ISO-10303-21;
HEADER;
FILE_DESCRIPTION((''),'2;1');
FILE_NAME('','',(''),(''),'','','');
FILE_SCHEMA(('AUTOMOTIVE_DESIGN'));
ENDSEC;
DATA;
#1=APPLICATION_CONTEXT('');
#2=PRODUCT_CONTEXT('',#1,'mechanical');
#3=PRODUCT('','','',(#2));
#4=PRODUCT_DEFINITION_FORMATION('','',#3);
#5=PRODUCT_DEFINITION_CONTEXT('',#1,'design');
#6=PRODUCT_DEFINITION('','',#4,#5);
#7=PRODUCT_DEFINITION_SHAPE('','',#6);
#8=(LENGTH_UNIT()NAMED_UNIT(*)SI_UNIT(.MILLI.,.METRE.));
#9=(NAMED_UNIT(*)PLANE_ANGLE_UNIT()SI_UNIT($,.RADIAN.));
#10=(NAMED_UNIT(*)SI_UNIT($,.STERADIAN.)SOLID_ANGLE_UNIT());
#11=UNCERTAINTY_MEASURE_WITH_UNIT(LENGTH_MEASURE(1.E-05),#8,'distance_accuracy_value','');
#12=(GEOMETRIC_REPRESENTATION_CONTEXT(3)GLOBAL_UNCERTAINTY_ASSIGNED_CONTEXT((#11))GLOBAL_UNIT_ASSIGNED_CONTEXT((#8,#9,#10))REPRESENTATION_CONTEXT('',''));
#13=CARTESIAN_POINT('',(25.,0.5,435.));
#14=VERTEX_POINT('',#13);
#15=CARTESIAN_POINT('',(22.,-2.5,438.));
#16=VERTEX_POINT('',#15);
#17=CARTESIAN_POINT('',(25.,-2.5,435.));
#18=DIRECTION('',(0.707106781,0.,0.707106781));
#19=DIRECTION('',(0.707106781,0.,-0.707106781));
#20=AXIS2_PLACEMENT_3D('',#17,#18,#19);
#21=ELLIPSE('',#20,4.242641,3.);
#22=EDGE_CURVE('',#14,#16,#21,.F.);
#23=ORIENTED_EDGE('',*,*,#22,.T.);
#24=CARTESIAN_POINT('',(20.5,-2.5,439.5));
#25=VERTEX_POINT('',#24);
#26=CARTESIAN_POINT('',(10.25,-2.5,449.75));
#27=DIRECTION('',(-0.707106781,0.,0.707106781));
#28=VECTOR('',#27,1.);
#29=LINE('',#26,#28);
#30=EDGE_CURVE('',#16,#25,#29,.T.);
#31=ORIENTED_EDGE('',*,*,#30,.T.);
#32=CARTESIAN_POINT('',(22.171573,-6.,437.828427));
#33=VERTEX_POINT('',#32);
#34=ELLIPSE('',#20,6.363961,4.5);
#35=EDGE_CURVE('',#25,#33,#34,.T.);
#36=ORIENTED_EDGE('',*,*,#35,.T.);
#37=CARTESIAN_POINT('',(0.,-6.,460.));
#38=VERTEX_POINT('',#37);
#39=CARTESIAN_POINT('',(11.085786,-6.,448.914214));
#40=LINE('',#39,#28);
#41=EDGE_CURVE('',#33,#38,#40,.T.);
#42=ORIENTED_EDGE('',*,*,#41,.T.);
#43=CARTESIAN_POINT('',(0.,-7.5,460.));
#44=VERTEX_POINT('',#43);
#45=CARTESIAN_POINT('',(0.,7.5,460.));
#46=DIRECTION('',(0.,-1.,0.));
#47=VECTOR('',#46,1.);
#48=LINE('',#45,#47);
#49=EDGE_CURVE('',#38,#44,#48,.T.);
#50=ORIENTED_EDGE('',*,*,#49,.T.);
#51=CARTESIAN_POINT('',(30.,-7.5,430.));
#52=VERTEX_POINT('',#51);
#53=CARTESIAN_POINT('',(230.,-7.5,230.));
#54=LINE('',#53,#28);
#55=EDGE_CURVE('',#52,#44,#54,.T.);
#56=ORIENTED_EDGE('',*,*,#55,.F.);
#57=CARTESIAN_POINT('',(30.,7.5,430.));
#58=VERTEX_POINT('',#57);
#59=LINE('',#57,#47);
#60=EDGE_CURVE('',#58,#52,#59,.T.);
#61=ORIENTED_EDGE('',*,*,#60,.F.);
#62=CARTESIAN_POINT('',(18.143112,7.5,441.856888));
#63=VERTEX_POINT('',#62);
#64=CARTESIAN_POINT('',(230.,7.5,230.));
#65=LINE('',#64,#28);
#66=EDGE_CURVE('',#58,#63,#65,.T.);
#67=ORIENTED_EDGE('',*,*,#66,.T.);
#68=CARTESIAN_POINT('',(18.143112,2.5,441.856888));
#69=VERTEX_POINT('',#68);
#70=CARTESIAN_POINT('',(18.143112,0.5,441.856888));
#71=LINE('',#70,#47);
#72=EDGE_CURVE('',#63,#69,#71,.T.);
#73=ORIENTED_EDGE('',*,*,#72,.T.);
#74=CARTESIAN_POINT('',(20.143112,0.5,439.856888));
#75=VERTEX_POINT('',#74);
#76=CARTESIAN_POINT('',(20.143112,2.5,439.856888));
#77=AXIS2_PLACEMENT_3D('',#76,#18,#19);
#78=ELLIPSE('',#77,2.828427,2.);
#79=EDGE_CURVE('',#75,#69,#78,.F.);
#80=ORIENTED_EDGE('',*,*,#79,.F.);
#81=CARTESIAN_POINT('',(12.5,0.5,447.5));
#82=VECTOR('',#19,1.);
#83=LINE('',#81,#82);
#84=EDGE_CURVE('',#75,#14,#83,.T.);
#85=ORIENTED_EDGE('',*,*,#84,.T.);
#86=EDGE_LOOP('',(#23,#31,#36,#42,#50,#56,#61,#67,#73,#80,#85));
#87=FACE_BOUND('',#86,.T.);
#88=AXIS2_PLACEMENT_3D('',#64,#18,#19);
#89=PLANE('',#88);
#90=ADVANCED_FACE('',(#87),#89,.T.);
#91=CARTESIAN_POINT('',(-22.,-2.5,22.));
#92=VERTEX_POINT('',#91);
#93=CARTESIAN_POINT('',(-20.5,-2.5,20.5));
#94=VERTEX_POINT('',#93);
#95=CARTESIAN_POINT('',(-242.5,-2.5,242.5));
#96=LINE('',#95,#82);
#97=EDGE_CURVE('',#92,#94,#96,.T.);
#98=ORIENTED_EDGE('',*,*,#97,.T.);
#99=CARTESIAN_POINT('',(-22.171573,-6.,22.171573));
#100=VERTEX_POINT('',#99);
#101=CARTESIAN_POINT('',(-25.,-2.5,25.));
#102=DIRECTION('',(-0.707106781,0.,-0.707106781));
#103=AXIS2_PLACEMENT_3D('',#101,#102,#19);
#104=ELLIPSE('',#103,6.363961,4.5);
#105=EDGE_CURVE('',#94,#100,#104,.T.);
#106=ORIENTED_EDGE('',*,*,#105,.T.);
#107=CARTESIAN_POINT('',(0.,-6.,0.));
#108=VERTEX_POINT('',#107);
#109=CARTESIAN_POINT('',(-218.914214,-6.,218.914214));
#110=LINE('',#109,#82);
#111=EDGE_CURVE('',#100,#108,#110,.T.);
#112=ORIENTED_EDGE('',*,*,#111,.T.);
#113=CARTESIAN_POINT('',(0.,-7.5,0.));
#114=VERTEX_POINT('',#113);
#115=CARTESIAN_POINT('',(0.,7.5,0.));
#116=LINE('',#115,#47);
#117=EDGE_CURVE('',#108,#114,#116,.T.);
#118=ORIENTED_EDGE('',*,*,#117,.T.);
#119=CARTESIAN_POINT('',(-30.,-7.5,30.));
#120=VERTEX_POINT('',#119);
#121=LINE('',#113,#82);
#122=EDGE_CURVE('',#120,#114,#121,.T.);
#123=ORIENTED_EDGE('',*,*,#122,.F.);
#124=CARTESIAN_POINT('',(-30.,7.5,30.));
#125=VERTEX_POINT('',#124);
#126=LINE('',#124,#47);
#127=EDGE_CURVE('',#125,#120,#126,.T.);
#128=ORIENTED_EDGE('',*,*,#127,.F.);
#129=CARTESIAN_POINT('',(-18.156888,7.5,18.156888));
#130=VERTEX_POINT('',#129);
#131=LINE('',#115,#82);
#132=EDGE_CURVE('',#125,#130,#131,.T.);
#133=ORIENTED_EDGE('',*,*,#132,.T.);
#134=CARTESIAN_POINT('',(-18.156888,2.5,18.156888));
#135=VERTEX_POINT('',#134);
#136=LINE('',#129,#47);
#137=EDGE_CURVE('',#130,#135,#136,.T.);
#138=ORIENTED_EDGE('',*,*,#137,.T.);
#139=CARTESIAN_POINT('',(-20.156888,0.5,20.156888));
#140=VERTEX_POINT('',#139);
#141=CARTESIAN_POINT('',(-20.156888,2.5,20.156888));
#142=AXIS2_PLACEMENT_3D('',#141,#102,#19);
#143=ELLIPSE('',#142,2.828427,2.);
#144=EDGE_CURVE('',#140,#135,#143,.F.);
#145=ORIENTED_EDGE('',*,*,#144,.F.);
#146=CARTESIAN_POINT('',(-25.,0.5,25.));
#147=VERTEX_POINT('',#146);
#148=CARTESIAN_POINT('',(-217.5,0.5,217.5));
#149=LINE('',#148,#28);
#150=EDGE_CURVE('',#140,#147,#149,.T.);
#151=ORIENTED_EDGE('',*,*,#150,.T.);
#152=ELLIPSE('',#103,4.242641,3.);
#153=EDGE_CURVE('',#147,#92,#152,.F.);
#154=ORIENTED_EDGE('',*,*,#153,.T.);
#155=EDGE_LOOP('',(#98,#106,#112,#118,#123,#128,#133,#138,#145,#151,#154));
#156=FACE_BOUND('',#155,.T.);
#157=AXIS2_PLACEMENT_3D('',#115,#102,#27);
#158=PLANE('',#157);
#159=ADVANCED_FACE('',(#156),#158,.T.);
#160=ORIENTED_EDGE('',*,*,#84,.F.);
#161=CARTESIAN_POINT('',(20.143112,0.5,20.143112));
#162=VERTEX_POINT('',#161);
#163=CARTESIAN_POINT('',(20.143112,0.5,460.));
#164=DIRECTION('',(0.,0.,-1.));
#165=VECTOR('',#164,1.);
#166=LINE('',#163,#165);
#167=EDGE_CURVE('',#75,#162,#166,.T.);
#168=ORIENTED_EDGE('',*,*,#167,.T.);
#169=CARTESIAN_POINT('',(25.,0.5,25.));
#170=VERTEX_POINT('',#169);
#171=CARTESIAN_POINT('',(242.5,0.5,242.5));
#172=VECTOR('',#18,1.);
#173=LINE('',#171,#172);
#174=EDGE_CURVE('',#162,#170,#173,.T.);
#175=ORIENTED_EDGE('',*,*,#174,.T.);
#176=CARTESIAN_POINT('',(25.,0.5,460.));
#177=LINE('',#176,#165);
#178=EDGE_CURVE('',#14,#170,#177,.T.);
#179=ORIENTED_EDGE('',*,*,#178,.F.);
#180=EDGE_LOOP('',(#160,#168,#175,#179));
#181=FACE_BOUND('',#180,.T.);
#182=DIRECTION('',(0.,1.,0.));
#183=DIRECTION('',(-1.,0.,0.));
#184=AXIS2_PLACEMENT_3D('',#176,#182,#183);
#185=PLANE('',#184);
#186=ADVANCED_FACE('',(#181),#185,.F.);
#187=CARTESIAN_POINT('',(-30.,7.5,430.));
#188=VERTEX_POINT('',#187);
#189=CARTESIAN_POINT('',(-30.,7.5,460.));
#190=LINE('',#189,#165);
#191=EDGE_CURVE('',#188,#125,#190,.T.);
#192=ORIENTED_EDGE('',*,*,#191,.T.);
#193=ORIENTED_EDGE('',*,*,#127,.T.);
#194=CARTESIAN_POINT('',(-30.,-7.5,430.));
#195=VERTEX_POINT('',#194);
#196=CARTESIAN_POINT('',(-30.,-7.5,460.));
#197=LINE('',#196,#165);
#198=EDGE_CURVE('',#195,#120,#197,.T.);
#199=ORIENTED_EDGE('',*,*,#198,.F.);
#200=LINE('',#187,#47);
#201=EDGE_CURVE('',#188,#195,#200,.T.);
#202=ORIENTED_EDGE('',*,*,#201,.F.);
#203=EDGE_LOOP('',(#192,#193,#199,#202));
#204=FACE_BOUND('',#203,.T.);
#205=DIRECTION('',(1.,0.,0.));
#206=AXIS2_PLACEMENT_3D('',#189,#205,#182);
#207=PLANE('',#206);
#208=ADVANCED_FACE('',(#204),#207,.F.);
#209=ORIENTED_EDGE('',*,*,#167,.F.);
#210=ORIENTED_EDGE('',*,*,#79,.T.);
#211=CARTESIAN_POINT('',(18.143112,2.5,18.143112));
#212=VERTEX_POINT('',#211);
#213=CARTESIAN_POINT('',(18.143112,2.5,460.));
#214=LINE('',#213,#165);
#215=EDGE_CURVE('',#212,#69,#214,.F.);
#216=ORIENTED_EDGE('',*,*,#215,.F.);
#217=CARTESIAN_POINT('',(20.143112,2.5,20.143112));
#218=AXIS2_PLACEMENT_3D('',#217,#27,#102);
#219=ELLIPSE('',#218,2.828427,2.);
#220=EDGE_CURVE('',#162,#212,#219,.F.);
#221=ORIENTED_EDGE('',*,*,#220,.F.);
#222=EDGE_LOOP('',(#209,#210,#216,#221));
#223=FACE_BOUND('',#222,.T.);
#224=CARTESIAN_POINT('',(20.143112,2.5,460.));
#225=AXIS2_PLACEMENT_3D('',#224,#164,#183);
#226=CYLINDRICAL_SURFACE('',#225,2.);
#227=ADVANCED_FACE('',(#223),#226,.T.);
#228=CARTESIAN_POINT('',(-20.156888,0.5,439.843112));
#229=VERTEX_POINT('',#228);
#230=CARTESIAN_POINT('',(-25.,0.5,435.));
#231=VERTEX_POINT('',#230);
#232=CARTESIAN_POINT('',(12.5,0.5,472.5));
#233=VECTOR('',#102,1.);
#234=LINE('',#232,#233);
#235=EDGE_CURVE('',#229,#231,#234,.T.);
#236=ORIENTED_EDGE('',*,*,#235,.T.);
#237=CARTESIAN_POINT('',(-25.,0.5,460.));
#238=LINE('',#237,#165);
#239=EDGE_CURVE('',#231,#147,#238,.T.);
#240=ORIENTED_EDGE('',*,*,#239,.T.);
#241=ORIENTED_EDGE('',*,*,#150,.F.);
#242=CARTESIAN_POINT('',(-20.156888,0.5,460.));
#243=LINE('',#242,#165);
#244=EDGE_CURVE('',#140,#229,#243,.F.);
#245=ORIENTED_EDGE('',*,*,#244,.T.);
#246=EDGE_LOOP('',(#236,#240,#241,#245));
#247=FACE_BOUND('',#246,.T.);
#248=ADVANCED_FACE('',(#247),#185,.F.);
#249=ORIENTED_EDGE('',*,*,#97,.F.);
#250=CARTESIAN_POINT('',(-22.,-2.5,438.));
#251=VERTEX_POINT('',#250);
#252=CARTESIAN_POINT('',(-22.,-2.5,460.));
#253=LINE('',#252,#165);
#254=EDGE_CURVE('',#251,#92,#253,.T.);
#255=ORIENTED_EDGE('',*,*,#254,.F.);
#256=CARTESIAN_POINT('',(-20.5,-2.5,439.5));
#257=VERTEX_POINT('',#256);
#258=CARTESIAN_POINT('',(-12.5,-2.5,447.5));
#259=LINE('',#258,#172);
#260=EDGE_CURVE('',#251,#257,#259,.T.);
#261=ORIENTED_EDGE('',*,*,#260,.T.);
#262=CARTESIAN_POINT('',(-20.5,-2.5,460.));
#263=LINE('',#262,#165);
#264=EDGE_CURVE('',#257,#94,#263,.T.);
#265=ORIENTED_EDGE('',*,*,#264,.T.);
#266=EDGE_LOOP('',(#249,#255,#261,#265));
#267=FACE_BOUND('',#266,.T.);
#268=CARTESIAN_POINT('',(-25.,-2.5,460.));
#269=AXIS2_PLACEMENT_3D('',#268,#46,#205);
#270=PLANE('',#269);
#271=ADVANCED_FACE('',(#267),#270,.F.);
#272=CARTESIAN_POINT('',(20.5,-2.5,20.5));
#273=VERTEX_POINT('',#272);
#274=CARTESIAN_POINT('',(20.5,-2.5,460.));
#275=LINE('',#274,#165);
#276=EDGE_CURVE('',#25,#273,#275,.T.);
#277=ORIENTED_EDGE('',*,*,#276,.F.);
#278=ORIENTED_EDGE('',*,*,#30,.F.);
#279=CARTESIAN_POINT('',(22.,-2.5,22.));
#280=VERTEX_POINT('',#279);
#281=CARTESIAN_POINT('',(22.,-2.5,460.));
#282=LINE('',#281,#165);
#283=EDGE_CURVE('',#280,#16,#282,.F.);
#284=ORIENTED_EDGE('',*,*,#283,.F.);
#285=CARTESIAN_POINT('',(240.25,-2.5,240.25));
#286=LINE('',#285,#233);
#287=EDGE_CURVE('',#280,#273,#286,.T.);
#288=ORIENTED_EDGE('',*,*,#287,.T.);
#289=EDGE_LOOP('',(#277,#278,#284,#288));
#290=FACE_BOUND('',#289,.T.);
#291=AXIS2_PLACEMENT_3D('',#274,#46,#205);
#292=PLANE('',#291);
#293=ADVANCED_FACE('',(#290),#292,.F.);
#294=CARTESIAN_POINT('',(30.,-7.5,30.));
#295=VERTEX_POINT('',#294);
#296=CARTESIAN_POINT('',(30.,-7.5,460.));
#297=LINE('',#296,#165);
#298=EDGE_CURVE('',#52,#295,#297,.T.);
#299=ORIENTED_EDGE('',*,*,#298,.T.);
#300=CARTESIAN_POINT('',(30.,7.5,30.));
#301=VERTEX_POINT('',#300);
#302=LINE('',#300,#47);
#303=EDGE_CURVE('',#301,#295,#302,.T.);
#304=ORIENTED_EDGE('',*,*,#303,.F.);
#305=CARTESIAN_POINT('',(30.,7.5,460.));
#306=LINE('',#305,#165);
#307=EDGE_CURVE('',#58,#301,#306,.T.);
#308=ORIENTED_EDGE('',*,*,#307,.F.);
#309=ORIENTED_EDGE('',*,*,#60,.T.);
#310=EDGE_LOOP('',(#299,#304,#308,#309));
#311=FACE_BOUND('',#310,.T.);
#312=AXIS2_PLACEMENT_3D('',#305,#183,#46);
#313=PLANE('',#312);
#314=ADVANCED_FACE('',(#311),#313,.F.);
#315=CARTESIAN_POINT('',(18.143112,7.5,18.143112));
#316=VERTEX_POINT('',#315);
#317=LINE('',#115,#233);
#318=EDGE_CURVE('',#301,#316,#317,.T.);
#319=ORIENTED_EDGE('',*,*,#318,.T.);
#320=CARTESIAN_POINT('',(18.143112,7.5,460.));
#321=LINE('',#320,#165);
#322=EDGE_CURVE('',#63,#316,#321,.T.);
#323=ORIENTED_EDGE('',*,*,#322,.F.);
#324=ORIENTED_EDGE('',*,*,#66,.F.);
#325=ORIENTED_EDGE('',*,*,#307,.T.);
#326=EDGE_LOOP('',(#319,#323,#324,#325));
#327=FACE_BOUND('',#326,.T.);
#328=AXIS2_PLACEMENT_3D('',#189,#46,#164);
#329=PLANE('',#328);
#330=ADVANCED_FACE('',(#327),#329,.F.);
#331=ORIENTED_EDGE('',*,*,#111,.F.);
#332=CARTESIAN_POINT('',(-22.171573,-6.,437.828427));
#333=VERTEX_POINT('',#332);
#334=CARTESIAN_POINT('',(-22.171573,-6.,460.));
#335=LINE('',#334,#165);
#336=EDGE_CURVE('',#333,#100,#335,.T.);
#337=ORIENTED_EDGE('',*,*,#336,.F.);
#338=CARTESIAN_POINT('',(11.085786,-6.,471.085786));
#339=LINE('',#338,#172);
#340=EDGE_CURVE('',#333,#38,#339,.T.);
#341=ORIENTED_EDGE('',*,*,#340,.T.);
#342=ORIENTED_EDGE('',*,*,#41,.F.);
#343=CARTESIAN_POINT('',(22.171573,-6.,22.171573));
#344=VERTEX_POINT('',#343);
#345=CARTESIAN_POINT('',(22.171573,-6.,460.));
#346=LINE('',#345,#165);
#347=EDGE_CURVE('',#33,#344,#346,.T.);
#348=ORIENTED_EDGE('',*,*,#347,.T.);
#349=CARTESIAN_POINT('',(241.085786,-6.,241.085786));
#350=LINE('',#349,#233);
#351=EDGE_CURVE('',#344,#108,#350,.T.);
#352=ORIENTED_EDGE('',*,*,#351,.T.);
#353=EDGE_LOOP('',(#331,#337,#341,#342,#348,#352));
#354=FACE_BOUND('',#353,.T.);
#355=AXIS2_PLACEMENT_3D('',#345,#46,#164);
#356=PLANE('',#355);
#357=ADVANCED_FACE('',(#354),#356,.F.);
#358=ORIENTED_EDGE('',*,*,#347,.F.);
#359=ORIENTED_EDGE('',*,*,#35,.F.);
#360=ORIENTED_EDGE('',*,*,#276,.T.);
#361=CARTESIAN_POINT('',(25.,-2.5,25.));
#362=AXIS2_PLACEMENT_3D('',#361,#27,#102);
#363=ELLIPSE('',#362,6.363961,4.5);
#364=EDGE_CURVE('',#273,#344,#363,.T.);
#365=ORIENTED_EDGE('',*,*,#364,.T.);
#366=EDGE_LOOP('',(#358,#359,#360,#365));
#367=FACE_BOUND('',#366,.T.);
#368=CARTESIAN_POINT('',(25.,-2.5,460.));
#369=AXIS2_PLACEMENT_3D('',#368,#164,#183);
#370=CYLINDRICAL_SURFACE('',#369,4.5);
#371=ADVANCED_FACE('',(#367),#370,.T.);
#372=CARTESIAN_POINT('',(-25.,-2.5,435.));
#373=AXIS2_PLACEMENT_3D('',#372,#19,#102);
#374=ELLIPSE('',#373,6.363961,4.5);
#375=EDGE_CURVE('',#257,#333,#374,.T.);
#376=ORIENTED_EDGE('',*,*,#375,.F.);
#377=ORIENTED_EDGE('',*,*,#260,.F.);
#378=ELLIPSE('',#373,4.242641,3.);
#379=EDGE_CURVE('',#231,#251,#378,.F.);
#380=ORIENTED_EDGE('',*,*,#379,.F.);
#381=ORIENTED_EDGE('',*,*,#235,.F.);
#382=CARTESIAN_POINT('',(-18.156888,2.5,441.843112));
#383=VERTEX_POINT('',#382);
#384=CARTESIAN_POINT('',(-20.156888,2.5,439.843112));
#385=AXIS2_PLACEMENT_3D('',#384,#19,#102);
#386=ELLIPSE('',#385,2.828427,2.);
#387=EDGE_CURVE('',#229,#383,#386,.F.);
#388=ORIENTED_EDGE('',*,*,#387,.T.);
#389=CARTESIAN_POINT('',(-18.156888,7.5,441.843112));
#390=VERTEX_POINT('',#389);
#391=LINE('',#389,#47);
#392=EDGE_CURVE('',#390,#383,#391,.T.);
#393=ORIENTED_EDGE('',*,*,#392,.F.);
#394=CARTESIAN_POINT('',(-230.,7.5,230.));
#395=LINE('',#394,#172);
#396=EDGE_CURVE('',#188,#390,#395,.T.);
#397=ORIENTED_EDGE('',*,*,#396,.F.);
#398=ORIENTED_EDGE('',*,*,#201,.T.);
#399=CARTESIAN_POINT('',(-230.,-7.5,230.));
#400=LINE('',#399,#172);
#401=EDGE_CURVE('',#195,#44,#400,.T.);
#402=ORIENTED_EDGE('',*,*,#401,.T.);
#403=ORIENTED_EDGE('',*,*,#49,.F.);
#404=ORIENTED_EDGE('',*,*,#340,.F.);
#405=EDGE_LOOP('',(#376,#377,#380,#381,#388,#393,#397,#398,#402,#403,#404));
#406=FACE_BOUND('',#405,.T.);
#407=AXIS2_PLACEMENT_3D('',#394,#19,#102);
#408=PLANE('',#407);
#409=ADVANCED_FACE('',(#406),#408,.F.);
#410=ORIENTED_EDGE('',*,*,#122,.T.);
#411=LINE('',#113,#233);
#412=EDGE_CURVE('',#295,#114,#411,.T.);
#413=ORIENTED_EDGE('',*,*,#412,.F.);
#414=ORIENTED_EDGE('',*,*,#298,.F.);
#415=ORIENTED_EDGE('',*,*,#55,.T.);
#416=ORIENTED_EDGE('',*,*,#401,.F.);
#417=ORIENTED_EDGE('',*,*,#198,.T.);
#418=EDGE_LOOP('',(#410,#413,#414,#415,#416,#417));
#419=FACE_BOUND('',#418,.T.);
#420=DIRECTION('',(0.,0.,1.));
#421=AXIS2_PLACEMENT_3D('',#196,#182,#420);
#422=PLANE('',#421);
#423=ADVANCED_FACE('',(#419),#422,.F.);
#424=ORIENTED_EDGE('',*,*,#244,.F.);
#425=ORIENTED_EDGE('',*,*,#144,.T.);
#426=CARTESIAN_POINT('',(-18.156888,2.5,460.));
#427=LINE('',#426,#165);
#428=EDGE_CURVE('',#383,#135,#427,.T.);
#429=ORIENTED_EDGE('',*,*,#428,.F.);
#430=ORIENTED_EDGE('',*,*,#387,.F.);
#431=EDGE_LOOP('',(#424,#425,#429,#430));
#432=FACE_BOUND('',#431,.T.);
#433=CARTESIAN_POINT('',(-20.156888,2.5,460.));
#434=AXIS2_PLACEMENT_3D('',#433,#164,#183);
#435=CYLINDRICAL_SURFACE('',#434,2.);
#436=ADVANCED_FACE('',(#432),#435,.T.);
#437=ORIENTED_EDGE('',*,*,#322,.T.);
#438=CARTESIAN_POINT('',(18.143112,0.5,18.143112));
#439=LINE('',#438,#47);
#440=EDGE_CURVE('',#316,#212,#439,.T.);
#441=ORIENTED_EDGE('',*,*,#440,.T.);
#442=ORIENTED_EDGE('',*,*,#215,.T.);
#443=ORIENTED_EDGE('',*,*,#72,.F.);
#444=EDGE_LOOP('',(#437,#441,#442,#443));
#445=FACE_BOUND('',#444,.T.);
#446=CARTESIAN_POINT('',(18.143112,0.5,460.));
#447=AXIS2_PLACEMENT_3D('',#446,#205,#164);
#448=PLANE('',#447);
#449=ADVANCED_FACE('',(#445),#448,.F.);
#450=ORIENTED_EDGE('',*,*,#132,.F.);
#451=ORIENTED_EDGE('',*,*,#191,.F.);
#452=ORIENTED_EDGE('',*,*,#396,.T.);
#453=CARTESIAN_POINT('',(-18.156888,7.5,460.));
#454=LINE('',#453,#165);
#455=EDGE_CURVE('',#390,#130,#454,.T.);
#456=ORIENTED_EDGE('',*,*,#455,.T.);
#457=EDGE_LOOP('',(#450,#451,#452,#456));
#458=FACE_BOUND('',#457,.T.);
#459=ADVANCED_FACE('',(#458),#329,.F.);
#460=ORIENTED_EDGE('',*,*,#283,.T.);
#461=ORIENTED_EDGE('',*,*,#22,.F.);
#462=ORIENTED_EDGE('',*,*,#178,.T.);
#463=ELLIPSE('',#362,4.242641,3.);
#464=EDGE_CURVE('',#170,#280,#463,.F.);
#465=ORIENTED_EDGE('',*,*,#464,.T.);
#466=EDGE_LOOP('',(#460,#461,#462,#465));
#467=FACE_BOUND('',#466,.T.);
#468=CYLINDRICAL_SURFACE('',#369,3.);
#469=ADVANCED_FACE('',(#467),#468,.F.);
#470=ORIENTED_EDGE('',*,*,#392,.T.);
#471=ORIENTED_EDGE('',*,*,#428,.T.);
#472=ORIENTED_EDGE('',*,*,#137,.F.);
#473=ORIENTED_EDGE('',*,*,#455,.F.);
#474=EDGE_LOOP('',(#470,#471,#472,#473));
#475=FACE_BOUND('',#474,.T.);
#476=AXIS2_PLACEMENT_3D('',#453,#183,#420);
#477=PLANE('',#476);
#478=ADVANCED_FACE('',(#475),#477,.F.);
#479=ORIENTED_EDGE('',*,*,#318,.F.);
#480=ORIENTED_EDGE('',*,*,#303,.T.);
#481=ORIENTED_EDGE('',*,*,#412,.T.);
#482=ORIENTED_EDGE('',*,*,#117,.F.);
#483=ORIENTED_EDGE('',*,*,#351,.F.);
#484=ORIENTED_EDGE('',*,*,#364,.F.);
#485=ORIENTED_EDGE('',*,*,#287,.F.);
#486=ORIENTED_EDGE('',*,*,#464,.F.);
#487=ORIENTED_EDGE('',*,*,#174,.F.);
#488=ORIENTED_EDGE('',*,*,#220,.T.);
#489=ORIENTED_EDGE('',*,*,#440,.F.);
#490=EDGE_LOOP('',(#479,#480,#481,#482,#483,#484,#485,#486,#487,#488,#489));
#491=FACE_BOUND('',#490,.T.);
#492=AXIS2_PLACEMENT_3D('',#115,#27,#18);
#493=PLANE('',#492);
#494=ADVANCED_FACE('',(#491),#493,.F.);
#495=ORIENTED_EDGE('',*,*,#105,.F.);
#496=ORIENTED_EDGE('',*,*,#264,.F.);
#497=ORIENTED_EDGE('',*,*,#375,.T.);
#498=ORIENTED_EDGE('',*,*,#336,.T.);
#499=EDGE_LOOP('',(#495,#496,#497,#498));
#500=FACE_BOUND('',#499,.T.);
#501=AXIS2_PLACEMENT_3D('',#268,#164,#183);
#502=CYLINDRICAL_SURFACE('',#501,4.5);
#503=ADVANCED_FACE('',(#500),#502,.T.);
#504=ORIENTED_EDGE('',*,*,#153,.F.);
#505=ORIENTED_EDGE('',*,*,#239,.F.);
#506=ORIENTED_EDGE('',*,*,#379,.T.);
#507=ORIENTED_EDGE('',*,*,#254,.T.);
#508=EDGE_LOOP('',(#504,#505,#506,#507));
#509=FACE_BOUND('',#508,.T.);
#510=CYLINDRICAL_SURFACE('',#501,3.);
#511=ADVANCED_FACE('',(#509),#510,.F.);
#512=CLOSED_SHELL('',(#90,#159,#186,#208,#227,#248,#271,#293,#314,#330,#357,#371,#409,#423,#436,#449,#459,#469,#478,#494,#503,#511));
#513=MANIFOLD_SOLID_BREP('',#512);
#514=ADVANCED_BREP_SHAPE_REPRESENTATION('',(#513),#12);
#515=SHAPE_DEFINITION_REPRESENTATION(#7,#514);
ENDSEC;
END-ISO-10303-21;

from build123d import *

# Parameters (mm, degrees)
SKETCH_1_W          = 60
SKETCH_1_H          = 15
EXTRUDE_1_DEPTH     = 460
SKETCH_2_R          = 3
CUT_EXTRUDE_1_DEPTH = 462.038230519
CUT_EXTRUDE_2_DEPTH = 462.038230519
SKETCH_4_W          = 36.3
SKETCH_4_H          = 7
CUT_EXTRUDE_3_DEPTH = 462.038230519
FILLET_1_R          = 2
CUT_EXTRUDE_4_DEPTH = 462.221205063


with BuildPart() as part:
    # 스케치1 → 보스-돌출1 (new body)
    with BuildSketch(Plane.XY):
        Rectangle(SKETCH_1_W, SKETCH_1_H)
    extrude(amount=EXTRUDE_1_DEPTH)

    # 스케치2 → 컷-돌출1 (cut, through all)
    with BuildSketch(Plane(origin=(0, 0, 0), x_dir=(-1, 0, 0), z_dir=(0, 0, -1))):
        with Locations((-25, -2.5)):
            Circle(SKETCH_2_R)
        with Locations((25, -2.5)):
            Circle(SKETCH_2_R)
    extrude(amount=-CUT_EXTRUDE_1_DEPTH, mode=Mode.SUBTRACT)

    # 스케치3 → 컷-돌출2 (cut, through all)
    with BuildSketch(Plane(origin=(0, 0, 0), x_dir=(-1, 0, 0), z_dir=(0, 0, -1))):
        with BuildLine():
            Line((-22.171572875, -6), (22.171572875, -6))
            ThreePointArc((22.171572875, -6), (20.939339828, -4.439339828), (20.5, -2.5))
            Line((20.5, -2.5), (25, -2.5))
            Line((25, -2.5), (25, 0.5))
            Line((25, 0.5), (-25, 0.5))
            Line((-25, 0.5), (-25, -2.5))
            Line((-25, -2.5), (-20.5, -2.5))
            ThreePointArc((-20.5, -2.5), (-20.939339828, -4.439339828), (-22.171572875, -6))
        make_face()
    extrude(amount=-CUT_EXTRUDE_2_DEPTH, mode=Mode.SUBTRACT)

    # 스케치4 → 컷-돌출3 (cut, through all)
    with BuildSketch(Plane(origin=(0, 0, 0), x_dir=(-1, 0, 0), z_dir=(0, 0, -1))):
        with Locations((0.006888359, 4)):
            Rectangle(SKETCH_4_W, SKETCH_4_H)
    extrude(amount=-CUT_EXTRUDE_3_DEPTH, mode=Mode.SUBTRACT)

    # 필렛1
    fillet_1_edges = [part.edges().sort_by_distance(p)[0] for p in [
        (-18.156888359, 0.5, 230),
        (18.143111641, 0.5, 230),
    ]]
    fillet(fillet_1_edges, radius=FILLET_1_R)

    # 스케치5 → 컷-돌출4 (cut, through all)
    with BuildSketch(Plane.XZ.offset(7.5)):
        Polygon((30, 460), (0, 460), (30, 430), align=None)
        Polygon((0, 460), (-30, 460), (-30, 430), align=None)
        Polygon((0, 0), (-30, 30), (-30, 0), align=None)
        Polygon((30, 30), (0, 0), (30, 0), align=None)
    extrude(amount=-CUT_EXTRUDE_4_DEPTH, mode=Mode.SUBTRACT)


solid = part.part
